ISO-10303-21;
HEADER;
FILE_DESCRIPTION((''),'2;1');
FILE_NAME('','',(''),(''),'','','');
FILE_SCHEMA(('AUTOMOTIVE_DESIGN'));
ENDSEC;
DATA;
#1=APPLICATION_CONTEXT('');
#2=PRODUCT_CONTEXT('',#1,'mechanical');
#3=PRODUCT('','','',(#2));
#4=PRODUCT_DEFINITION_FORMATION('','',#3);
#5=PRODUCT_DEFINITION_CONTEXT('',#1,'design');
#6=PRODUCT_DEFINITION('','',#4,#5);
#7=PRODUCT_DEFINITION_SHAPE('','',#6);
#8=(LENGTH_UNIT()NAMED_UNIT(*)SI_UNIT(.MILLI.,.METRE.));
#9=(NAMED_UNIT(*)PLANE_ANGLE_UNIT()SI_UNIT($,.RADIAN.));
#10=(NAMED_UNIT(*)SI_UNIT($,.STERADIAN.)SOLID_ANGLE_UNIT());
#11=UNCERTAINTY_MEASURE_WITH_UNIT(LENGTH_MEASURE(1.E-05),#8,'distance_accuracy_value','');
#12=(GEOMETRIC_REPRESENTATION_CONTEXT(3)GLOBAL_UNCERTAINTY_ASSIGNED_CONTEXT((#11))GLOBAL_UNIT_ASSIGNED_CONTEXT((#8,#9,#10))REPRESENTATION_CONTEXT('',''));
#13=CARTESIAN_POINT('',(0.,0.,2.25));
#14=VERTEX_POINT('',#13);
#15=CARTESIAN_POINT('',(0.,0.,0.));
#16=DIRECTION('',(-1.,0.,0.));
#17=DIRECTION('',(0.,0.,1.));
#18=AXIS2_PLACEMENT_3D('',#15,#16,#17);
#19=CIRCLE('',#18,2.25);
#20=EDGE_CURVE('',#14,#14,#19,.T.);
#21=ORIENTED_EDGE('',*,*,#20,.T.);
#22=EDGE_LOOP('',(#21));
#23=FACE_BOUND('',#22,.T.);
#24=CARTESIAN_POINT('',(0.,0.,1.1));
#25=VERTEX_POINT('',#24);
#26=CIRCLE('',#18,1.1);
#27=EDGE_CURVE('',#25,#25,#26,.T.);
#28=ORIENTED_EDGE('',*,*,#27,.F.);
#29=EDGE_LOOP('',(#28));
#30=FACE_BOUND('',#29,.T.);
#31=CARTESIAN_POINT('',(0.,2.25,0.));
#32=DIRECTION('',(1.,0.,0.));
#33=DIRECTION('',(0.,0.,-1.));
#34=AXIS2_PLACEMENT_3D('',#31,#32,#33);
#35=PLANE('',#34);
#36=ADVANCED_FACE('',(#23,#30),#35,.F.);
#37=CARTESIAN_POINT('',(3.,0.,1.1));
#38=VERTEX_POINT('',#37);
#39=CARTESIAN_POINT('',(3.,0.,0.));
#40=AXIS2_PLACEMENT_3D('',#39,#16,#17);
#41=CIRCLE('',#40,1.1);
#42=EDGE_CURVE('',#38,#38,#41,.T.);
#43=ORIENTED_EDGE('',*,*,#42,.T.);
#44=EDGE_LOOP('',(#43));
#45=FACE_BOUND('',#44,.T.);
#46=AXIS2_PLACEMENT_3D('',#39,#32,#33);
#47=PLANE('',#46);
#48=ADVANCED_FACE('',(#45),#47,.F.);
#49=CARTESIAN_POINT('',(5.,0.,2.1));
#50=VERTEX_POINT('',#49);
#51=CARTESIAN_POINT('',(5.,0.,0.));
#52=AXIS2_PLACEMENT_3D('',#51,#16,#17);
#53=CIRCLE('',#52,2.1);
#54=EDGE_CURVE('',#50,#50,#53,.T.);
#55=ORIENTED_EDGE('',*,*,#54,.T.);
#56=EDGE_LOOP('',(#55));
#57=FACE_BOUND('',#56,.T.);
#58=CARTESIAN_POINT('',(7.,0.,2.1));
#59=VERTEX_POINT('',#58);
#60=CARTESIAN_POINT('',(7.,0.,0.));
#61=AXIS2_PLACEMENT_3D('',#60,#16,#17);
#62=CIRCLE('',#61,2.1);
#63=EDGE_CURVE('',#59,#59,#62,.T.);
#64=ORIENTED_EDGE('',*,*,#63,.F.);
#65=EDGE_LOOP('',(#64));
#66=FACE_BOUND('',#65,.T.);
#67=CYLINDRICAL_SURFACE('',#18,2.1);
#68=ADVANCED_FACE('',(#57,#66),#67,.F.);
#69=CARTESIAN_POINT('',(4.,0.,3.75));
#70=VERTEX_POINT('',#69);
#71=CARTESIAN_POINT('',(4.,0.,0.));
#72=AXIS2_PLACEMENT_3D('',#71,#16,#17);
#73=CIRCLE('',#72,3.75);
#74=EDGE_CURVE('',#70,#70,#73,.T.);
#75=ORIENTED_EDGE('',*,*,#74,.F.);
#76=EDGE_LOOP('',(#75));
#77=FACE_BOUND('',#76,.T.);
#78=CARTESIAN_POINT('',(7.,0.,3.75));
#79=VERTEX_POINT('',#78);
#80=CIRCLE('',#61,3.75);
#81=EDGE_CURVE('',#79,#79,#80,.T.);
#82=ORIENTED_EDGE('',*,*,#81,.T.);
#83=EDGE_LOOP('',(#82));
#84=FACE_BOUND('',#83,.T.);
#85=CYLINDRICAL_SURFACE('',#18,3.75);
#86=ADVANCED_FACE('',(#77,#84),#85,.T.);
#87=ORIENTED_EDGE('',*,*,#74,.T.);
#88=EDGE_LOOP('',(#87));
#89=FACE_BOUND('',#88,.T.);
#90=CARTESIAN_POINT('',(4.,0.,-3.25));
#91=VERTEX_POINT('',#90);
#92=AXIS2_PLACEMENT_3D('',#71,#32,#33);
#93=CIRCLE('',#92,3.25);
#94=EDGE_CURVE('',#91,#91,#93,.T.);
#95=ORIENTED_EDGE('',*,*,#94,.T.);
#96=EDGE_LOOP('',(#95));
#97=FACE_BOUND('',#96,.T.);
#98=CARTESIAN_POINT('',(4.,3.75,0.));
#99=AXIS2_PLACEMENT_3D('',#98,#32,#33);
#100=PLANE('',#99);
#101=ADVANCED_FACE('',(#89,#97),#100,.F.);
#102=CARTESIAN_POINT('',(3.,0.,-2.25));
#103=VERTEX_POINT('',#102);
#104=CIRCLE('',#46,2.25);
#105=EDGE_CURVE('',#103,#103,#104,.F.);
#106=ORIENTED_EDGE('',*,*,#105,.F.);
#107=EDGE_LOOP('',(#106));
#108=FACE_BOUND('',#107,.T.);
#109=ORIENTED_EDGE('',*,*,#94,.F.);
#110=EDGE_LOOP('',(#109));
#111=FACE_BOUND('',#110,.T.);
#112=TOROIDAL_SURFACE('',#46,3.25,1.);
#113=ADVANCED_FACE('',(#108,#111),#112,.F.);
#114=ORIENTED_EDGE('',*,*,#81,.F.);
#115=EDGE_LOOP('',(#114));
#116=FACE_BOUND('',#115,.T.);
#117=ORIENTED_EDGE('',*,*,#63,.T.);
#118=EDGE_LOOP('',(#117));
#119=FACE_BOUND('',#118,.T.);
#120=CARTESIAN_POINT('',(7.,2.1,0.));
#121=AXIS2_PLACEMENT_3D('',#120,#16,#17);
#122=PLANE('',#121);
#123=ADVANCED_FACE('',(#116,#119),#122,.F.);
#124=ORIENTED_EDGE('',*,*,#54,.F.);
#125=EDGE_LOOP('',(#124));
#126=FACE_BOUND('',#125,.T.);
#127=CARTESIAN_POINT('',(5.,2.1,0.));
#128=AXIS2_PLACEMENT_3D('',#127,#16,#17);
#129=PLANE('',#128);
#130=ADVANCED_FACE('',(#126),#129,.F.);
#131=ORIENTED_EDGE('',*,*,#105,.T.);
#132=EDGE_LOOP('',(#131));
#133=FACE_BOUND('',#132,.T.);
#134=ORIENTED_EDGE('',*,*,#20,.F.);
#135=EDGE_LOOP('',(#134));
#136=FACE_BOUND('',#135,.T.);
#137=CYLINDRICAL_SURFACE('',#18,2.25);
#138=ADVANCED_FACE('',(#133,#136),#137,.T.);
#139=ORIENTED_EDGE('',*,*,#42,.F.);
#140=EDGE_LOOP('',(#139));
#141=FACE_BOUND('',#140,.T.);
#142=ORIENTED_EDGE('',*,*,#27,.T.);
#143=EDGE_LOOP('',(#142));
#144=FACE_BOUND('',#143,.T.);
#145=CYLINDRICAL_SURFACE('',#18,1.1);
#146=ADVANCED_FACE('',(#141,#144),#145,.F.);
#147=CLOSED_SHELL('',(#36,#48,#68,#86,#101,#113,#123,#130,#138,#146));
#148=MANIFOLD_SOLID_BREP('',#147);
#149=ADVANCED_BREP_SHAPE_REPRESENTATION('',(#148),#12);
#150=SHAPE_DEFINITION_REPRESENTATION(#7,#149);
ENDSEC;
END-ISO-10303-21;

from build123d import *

# Parameters (mm, degrees)
FILLET1_R = 1


with BuildPart() as part:
    # Sketch1 → Revolve1 (revolve)
    with BuildSketch(Plane.XY):
        Polygon((0, 1.1), (3, 1.1), (3, 0), (5, 0), (5, 2.1), (7, 2.1), (7, 3.75), (4, 3.75), (4, 2.25), (0, 2.25), align=None)
    revolve(axis=Axis((0, 0, 0), (1, 0, 0)))

    # Fillet1
    fillet1_edges = [part.edges().sort_by_distance(p)[0] for p in [
        (4, -2.25, 0),
    ]]
    fillet(fillet1_edges, radius=FILLET1_R)


solid = part.part
